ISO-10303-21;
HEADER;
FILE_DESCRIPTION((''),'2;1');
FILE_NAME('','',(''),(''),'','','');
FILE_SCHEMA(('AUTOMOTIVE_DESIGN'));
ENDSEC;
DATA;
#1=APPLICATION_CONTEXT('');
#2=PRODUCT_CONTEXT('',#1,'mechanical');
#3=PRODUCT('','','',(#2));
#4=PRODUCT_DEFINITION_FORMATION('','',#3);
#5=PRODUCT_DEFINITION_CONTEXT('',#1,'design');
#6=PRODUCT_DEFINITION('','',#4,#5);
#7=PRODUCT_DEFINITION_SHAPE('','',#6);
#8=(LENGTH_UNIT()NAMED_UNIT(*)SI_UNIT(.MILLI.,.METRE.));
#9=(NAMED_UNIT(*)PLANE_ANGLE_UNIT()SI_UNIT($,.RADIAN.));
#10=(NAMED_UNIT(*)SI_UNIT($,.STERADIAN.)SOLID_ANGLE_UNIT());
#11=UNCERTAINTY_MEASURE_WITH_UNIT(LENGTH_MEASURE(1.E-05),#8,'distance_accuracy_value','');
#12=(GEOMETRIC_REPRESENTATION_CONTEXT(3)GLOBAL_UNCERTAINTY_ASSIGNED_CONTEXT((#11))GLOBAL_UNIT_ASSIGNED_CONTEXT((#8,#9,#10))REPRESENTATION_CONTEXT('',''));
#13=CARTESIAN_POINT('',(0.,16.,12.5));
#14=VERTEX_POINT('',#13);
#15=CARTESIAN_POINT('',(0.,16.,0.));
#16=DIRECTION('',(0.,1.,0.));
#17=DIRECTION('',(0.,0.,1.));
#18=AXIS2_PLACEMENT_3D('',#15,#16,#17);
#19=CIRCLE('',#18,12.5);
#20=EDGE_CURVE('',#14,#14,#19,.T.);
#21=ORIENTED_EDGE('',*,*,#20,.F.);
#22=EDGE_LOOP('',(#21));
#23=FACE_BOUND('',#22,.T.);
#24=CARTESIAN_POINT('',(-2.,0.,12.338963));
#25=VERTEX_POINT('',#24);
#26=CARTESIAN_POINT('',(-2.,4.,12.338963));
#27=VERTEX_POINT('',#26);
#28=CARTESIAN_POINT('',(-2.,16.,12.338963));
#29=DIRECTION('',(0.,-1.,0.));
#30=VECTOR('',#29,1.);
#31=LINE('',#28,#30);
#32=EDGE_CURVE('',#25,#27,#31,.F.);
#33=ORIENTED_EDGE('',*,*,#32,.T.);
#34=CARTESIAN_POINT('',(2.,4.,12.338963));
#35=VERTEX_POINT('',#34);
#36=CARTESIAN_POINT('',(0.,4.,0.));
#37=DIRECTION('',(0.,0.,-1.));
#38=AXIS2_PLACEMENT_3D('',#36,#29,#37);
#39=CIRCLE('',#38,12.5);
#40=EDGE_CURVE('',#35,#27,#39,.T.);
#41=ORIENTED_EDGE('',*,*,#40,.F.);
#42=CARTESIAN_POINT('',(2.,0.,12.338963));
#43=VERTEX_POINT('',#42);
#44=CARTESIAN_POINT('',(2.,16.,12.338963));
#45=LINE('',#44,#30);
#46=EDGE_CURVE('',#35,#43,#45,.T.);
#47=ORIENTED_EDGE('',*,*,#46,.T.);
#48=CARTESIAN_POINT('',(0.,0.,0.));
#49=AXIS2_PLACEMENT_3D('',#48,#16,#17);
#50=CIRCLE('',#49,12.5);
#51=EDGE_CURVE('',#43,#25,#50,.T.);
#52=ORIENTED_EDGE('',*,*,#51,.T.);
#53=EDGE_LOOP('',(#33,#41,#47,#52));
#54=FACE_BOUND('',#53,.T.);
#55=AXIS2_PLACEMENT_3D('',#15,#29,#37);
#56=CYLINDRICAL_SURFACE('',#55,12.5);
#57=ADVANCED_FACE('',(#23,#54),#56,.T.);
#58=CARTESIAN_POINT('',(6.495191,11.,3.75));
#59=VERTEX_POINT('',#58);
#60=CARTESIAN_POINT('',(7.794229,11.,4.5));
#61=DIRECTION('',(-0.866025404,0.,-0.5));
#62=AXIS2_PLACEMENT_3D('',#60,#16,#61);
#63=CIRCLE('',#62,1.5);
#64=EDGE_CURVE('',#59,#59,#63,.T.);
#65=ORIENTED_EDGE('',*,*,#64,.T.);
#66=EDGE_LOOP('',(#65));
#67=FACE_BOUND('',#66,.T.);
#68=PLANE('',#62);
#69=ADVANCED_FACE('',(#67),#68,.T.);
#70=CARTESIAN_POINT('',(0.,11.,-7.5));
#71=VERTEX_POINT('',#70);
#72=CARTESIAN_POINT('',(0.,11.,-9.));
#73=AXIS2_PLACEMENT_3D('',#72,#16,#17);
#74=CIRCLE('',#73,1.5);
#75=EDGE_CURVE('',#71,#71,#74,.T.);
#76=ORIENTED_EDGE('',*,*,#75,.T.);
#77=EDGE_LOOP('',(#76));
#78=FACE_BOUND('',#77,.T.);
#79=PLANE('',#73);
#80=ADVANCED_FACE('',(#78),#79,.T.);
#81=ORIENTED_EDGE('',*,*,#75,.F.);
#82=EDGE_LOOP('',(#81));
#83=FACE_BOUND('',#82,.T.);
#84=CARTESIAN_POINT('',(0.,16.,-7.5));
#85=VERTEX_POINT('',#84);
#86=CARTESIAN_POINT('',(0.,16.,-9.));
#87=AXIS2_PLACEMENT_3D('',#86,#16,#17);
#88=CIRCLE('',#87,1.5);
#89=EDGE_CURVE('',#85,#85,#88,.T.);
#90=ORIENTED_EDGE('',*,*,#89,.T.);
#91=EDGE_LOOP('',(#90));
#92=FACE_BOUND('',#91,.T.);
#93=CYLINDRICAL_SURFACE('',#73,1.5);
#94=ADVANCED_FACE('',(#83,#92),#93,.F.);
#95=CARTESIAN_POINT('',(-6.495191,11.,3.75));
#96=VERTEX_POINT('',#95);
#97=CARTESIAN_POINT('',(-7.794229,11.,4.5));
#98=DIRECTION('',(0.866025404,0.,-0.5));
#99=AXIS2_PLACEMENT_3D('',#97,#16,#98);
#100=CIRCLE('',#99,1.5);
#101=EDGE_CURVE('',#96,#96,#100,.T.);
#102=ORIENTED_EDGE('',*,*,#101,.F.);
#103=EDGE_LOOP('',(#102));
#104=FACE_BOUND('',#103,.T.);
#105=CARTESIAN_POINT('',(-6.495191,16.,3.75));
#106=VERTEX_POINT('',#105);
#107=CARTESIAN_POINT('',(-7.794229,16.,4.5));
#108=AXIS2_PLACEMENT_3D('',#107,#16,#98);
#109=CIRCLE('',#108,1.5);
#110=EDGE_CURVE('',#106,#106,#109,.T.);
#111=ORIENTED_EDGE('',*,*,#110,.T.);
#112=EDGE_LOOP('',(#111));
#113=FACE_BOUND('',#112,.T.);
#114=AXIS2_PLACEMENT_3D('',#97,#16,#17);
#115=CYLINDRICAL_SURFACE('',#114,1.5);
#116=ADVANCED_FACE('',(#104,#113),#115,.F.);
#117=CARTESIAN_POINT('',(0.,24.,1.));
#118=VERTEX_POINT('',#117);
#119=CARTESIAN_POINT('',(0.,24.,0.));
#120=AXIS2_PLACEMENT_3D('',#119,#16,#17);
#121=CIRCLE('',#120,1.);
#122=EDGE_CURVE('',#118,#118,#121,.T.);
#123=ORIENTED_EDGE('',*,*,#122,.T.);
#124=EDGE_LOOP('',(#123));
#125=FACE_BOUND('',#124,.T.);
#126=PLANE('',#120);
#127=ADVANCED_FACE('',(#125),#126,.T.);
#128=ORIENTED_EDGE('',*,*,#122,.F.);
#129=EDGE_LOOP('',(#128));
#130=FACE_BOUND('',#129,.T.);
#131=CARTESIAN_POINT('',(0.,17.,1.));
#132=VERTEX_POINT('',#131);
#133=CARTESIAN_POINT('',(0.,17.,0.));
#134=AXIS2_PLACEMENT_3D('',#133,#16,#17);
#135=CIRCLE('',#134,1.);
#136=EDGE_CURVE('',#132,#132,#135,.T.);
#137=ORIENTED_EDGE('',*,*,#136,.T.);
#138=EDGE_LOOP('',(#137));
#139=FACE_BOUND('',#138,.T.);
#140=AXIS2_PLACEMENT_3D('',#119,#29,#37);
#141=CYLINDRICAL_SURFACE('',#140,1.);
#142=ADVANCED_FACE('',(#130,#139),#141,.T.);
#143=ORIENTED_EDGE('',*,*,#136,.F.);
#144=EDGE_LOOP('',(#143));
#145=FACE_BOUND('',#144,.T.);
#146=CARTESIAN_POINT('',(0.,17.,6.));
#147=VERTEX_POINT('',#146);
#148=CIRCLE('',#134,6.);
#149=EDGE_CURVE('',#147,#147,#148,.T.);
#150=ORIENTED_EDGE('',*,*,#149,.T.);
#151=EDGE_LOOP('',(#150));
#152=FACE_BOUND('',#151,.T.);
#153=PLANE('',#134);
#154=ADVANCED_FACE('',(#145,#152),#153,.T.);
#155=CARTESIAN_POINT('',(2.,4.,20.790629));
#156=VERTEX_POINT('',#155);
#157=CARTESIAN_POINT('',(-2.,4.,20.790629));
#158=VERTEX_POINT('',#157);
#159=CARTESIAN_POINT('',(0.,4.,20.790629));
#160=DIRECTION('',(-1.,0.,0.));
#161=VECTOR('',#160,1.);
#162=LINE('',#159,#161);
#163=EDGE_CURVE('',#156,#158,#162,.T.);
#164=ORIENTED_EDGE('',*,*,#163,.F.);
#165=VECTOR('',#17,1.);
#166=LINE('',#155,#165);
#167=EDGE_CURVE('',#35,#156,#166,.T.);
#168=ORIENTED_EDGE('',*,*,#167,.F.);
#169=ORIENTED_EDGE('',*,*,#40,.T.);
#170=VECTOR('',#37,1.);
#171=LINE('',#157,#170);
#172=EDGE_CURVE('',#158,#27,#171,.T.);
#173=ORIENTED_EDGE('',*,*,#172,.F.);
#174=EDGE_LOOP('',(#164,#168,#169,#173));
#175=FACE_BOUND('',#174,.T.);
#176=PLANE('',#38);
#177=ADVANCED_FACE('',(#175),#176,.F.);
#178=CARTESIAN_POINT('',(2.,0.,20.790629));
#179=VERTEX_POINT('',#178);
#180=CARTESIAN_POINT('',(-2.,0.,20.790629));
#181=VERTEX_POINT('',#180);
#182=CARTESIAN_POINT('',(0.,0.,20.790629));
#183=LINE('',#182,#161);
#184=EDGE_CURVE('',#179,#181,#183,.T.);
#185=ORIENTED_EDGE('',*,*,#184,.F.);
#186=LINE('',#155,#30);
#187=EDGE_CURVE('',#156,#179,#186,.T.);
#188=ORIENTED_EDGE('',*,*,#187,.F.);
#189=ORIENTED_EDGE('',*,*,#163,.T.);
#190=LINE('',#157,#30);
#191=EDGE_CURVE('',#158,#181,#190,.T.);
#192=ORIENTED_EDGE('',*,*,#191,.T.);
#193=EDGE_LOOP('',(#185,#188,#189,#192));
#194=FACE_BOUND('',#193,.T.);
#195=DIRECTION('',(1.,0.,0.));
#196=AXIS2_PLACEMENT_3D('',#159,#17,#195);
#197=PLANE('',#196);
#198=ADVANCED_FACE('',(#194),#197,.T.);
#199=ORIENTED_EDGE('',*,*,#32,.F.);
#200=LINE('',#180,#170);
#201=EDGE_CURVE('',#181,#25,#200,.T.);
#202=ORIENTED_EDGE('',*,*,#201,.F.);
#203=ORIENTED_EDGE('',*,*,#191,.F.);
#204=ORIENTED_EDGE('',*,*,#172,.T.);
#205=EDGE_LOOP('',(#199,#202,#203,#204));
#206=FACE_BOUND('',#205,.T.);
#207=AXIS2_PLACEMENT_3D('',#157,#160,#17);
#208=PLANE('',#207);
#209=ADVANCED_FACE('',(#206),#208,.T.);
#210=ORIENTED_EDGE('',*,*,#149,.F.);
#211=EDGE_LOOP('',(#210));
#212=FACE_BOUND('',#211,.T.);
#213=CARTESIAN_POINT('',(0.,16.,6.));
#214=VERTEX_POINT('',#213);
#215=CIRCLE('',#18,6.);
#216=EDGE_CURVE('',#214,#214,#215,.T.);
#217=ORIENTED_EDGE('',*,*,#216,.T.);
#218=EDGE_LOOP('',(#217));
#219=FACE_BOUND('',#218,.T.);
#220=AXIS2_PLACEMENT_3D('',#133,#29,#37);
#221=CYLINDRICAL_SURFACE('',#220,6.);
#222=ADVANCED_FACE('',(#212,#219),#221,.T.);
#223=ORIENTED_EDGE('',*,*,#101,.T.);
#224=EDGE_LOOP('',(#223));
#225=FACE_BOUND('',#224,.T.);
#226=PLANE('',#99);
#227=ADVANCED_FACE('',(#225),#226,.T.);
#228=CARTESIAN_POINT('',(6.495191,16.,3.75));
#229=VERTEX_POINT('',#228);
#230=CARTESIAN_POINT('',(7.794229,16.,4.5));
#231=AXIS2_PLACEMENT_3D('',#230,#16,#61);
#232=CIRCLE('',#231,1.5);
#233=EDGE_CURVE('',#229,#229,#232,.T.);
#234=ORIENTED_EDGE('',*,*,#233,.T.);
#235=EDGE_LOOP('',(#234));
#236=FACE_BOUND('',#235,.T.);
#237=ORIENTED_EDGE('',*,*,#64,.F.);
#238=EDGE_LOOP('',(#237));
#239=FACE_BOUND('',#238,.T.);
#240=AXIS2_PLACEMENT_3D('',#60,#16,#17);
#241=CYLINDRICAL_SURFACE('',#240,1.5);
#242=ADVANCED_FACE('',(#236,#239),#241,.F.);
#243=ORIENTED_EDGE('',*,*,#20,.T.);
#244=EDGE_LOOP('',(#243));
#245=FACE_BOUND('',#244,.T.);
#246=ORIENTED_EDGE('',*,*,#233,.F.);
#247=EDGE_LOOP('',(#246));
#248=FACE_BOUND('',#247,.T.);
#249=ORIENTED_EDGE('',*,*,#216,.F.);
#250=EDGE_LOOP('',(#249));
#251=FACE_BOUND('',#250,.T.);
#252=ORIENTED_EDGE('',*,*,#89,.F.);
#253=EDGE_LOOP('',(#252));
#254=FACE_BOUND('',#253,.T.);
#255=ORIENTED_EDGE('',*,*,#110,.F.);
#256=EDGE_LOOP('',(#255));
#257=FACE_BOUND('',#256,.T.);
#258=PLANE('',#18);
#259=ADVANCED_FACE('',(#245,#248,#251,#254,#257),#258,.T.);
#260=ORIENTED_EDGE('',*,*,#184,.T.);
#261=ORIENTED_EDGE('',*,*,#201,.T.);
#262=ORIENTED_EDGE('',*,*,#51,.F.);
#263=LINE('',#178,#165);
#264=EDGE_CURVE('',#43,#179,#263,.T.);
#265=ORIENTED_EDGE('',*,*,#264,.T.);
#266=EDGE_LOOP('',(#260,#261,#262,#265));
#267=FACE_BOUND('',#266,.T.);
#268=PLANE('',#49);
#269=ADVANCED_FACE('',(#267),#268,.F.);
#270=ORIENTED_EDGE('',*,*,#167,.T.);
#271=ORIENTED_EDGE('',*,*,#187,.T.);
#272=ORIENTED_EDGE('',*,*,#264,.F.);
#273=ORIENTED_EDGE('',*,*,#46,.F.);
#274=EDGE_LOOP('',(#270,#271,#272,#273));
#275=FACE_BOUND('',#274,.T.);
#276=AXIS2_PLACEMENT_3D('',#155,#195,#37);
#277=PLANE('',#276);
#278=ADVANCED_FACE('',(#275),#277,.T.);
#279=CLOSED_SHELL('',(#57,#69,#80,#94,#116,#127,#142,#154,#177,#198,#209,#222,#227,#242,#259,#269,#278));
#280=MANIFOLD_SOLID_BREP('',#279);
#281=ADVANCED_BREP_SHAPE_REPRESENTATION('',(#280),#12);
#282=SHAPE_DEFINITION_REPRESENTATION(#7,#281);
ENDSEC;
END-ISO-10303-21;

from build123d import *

# Parameters (mm, degrees)
ESQUISSE1_R                  = 12.5
BOSS_EXTRU_1_DEPTH           = 16
ESQUISSE2_R                  = 1
BOSS_EXTRU_2_DEPTH           = 8
BOSS_EXTRU_3_DEPTH           = 4
ESQUISSE5_R                  = 1.5
ENL_V_MAT_EXTRU_1_DEPTH      = 5
R_P_TITION_CIRCULAIRE1_COUNT = 3
ESQUISSE6_R                  = 6
BOSS_EXTRU_4_DEPTH           = 1


with BuildPart() as part:
    # Esquisse1 → Boss.-Extru.1 (new body)
    with BuildSketch(Plane(origin=(0, 0, 0), x_dir=(1, 0, 0), z_dir=(0, 1, 0))):
        with Locations(Location((0, 0, 0), (0, 0, 270))):
            Circle(ESQUISSE1_R)
    extrude(amount=BOSS_EXTRU_1_DEPTH)

    # Esquisse2 → Boss.-Extru.2 (add)
    with BuildSketch(Plane(origin=(0, 16, 0), x_dir=(1, 0, 0), z_dir=(0, 1, 0))):
        with Locations(Location((0, 0, 0), (0, 0, 270))):
            Circle(ESQUISSE2_R)
    extrude(amount=BOSS_EXTRU_2_DEPTH)

    # Esquisse4 → Boss.-Extru.3 (add)
    with BuildSketch(Plane.XZ):
        Polygon((0, 20.790629037), (2, 20.790629037), (2, 9.492710375), (0, 9.492710375), (-2, 9.492710375), (-2, 20.790629037), align=None)
    extrude(amount=-BOSS_EXTRU_3_DEPTH)

    # Esquisse5 → Enlèv. mat.-Extru.1 (cut)
    with BuildSketch(Plane(origin=(0, 16, 0), x_dir=(1, 0, 0), z_dir=(0, 1, 0))):
        with Locations(Location((0, 9, 0), (0, 0, 270))):
            Circle(ESQUISSE5_R)
    enl_v_mat_extru_1 = extrude(amount=-ENL_V_MAT_EXTRU_1_DEPTH, mode=Mode.SUBTRACT)

    # Répétition circulaire1: Enlèv. mat.-Extru.1 ×3 about axis
    r_p_tition_circulaire1_axis = Axis((0, 0, 0), (0, 1, 0))
    for i in range(1, R_P_TITION_CIRCULAIRE1_COUNT):
        add(enl_v_mat_extru_1.rotate(r_p_tition_circulaire1_axis, i * 360 / R_P_TITION_CIRCULAIRE1_COUNT), mode=Mode.SUBTRACT)

    # Esquisse6 → Boss.-Extru.4 (add)
    with BuildSketch(Plane(origin=(0, 16, 0), x_dir=(1, 0, 0), z_dir=(0, 1, 0))):
        with Locations(Location((0, 0, 0), (0, 0, 270))):
            Circle(ESQUISSE6_R)
    extrude(amount=BOSS_EXTRU_4_DEPTH)


solid = part.part
